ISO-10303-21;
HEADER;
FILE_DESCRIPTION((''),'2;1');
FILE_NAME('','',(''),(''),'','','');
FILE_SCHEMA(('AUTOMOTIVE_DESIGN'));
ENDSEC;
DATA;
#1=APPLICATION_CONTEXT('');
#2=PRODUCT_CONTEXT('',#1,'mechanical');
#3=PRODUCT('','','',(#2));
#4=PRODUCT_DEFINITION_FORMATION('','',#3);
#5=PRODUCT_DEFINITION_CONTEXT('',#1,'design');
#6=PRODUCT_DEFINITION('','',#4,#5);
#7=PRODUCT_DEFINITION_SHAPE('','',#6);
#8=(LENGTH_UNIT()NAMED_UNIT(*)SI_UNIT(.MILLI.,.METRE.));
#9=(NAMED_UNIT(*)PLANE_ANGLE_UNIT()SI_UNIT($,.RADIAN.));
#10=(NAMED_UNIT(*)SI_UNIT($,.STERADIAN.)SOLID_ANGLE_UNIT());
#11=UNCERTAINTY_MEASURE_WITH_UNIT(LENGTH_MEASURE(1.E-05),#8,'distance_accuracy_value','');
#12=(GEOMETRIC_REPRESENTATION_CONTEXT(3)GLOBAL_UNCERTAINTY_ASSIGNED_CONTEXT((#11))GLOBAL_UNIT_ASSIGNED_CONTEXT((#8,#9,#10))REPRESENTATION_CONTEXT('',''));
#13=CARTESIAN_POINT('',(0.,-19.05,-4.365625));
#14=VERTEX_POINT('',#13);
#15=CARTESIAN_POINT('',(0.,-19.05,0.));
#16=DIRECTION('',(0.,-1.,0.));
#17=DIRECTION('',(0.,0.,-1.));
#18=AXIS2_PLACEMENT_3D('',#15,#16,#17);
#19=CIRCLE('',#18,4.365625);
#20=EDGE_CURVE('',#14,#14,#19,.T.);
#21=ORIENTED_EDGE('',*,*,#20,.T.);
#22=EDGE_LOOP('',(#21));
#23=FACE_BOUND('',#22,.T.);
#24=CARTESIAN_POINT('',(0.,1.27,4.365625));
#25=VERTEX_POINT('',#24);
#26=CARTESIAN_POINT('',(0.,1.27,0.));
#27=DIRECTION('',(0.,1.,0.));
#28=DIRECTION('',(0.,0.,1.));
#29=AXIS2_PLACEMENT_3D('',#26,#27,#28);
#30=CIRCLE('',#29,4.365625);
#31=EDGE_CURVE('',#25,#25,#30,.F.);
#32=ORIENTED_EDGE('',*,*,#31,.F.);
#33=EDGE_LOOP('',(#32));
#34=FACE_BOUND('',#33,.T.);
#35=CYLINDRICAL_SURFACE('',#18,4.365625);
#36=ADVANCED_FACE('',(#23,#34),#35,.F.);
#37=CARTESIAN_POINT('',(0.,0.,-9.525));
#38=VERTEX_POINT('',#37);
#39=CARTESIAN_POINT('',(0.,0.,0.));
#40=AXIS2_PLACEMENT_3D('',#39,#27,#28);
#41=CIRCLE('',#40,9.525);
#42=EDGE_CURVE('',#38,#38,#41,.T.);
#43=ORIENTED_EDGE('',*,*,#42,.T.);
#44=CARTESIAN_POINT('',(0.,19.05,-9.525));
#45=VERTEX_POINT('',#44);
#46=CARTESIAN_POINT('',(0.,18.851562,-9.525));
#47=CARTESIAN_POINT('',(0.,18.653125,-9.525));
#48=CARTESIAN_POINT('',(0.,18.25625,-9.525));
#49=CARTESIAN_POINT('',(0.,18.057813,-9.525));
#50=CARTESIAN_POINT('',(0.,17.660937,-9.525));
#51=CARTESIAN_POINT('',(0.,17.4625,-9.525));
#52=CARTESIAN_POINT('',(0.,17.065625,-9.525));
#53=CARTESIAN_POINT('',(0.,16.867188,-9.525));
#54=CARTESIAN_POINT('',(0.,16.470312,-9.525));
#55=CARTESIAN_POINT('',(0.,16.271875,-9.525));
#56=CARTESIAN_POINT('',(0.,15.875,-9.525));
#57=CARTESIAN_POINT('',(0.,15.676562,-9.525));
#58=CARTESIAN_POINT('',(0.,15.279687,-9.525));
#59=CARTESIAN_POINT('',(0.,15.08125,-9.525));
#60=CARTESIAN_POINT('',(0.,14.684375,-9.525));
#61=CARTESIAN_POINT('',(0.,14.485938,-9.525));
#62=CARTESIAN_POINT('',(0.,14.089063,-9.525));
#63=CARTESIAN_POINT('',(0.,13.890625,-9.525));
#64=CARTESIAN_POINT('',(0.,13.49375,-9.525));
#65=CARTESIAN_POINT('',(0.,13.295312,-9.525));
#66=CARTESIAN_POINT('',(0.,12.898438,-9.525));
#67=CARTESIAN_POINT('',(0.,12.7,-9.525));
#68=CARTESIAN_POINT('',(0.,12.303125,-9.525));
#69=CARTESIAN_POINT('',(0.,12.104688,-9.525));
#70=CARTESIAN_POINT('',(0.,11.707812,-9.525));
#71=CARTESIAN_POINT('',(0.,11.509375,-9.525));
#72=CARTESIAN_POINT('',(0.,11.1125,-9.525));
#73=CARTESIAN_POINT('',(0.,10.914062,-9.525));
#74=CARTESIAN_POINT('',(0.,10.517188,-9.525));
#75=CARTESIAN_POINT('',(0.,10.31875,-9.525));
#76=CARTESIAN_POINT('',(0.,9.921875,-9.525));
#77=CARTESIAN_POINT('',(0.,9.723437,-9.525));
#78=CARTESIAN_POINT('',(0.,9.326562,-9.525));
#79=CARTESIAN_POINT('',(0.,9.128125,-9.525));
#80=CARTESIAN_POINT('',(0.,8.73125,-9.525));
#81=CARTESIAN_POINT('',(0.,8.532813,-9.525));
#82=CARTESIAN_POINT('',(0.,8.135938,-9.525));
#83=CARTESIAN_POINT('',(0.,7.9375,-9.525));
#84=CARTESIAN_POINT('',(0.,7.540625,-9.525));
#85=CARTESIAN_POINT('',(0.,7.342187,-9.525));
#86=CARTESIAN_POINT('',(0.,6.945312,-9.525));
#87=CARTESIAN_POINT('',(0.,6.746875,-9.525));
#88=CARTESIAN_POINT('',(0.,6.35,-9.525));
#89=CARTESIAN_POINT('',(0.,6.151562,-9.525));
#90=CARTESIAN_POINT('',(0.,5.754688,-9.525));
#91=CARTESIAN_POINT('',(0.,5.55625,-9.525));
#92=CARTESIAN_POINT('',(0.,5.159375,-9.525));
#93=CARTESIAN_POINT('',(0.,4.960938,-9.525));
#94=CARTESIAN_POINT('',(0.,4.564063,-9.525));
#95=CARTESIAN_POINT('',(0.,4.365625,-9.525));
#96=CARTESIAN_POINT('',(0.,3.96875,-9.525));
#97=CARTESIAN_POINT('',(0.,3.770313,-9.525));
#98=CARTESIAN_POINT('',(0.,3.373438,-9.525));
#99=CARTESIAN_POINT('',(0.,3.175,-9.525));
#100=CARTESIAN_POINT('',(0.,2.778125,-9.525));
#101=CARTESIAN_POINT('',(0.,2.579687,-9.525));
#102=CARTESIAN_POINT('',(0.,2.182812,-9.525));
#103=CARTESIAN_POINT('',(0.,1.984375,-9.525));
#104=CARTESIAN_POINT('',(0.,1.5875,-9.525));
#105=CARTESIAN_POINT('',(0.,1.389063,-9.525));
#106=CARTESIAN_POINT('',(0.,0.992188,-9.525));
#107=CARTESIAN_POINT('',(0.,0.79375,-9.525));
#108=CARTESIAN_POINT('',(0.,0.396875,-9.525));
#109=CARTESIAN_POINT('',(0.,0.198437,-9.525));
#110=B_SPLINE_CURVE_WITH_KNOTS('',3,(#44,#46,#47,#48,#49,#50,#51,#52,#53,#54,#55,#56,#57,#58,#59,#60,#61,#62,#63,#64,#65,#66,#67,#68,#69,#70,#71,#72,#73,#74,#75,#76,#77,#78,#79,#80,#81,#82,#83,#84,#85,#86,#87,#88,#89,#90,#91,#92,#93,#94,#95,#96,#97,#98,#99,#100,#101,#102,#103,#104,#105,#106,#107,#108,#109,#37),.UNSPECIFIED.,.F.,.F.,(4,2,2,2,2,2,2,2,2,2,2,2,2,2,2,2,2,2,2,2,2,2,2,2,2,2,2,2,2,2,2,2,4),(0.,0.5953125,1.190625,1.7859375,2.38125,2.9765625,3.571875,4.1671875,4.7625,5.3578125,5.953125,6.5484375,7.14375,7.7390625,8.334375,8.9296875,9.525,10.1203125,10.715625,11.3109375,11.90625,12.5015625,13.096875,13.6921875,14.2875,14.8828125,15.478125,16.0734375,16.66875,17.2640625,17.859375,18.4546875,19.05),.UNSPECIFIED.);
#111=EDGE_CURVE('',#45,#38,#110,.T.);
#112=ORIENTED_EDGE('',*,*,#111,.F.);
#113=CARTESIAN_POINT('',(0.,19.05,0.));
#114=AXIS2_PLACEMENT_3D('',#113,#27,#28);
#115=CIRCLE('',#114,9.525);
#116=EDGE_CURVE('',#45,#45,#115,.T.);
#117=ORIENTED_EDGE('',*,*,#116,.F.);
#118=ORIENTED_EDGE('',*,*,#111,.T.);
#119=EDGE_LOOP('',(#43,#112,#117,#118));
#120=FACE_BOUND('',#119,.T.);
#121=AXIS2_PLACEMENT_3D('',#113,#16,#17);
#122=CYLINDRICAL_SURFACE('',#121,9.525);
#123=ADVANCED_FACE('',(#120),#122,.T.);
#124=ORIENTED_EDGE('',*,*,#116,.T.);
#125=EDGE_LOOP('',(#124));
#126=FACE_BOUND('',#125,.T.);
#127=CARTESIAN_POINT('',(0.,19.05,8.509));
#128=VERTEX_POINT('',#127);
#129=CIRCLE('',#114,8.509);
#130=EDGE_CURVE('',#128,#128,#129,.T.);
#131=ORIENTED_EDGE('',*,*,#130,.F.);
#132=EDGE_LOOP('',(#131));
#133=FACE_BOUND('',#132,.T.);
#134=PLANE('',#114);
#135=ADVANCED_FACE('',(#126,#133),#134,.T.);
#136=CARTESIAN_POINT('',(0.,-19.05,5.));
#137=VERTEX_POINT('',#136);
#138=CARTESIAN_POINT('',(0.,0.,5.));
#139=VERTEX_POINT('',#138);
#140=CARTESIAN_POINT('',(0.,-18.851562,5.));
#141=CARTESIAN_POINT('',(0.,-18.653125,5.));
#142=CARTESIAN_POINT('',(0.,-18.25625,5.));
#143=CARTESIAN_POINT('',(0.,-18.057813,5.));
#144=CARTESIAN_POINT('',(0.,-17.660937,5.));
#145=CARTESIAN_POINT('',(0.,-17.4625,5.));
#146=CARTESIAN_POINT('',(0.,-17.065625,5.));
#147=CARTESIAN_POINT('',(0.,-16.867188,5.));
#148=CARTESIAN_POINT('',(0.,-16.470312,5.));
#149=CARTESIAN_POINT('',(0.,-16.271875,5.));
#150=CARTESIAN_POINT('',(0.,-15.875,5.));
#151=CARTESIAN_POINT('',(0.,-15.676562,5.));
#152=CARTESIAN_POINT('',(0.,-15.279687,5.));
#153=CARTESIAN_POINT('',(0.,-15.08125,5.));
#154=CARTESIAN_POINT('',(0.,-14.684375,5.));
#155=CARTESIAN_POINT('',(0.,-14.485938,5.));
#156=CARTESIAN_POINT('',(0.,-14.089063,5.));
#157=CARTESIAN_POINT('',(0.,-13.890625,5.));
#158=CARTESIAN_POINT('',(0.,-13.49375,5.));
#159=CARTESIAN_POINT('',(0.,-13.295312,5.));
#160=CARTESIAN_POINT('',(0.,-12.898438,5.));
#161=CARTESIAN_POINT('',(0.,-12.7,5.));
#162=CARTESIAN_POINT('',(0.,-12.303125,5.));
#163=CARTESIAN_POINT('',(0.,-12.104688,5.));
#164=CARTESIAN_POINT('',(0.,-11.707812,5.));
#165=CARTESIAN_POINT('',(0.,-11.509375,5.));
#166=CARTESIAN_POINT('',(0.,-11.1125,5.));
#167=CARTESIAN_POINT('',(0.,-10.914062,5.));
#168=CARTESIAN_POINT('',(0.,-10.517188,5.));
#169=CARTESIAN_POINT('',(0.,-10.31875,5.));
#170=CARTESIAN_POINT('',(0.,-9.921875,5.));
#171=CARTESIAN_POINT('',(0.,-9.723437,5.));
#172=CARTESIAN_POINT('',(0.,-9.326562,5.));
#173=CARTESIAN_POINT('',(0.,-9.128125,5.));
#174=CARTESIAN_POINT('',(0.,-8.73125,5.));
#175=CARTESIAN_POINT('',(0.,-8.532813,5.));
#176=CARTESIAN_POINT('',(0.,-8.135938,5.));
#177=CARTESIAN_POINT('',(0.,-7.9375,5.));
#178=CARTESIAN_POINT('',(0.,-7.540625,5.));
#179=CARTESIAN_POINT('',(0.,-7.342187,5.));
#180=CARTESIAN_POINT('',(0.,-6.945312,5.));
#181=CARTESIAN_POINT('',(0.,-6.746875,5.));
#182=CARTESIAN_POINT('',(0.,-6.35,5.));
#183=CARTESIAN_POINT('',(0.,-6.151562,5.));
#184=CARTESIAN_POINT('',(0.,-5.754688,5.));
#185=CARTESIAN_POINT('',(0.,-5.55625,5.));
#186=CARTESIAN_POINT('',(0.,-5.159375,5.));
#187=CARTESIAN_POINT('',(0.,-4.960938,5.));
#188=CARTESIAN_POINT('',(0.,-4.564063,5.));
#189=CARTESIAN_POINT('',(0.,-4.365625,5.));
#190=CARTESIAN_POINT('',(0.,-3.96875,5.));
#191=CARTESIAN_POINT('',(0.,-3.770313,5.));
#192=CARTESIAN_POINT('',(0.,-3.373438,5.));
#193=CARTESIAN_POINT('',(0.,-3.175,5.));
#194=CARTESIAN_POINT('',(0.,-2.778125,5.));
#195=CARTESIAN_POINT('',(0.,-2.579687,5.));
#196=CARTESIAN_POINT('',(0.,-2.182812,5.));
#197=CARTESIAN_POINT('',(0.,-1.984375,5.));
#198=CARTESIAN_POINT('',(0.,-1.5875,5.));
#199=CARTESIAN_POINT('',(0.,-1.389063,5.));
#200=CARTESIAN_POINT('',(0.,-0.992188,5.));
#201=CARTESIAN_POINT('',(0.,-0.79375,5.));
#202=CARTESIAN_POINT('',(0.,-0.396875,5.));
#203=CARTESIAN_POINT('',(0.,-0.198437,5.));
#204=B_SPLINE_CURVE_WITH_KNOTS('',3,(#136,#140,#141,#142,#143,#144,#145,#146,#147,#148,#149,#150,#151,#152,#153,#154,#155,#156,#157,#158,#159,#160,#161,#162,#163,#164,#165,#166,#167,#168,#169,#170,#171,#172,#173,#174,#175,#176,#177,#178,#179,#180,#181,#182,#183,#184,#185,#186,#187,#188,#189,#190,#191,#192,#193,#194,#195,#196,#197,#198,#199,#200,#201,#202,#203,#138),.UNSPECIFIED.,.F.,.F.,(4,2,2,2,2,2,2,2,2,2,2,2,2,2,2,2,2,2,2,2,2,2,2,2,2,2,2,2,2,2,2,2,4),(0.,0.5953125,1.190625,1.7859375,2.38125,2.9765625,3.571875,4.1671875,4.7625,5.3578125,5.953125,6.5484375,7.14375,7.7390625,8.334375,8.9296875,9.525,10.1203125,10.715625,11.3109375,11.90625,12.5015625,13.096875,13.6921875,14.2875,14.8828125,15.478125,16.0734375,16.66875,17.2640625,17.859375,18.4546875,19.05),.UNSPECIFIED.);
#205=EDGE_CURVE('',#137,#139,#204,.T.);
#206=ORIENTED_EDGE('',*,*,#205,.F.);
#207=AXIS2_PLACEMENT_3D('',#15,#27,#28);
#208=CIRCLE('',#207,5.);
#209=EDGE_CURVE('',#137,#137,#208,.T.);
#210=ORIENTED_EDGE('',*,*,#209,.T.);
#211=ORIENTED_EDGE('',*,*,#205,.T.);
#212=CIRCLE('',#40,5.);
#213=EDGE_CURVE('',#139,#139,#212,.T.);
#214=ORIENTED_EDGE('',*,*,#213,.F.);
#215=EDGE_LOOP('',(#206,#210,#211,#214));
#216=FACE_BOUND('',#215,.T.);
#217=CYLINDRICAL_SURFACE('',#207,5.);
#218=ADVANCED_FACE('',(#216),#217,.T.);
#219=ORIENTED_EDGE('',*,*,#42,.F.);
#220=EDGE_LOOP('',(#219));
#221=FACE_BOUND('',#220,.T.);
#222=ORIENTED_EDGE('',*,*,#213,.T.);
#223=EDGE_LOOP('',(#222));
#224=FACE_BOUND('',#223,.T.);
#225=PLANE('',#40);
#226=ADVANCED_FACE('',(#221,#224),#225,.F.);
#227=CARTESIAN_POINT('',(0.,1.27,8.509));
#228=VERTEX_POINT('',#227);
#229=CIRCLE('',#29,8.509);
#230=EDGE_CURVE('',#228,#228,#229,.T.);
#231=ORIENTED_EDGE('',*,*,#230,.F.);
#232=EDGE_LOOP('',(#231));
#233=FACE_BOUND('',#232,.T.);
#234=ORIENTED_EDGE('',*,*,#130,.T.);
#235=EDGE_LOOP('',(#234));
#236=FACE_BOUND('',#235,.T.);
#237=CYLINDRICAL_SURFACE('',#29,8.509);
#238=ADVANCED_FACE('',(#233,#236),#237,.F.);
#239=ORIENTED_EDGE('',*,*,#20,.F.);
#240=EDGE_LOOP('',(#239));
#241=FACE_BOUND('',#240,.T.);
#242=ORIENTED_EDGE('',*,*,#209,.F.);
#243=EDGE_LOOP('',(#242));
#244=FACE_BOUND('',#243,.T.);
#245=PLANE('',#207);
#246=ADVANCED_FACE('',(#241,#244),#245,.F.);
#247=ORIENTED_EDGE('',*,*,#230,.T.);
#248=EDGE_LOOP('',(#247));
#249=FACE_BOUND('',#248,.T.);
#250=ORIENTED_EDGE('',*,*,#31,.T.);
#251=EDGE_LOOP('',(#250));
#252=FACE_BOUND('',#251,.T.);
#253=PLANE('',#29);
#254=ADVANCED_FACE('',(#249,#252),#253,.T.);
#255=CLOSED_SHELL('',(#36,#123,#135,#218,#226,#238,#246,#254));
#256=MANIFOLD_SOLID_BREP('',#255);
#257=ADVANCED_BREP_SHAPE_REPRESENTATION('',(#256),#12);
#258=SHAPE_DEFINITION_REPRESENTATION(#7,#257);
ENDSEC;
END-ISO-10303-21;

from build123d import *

# Parameters (mm, degrees)
SKETCH2_R                        = 9.525
SKETCH2_R_2                      = 5
BOSS_EXTRUDE1_DEPTH              = 19.05
SKETCH2_3_R                      = 5
BOSS_EXTRUDE2_DEPTH              = 19.05
F_11_32_0_34375_DIAMETER_HOLE1_D = 8.73125
SKETCH13_R                       = 8.509
CUT_EXTRUDE1_DEPTH               = 17.78


with BuildPart() as part:
    # Sketch2 → Boss-Extrude1 (new body)
    # profile 1 of 2: a face of its own
    with BuildSketch(Plane(origin=(0, 0, 0), x_dir=(1, 0, 0), z_dir=(0, 1, 0))):
        with Locations(Location((0, 0, 0), (0, 0, 90))):
            Circle(SKETCH2_R)
        Circle(SKETCH2_R_2, mode=Mode.SUBTRACT)
    # profile 2 of 2: a face of its own
    with BuildSketch(Plane(origin=(0, 0, 0), x_dir=(1, 0, 0), z_dir=(0, 1, 0))):
        Circle(SKETCH2_R_2)
    extrude(amount=BOSS_EXTRUDE1_DEPTH)

    # Sketch2<3> → Boss-Extrude2 (add)
    with BuildSketch(Plane(origin=(0, 0, 0), x_dir=(1, 0, 0), z_dir=(0, 1, 0))):
        with Locations(Location((0, 0, 0), (0, 0, 270))):
            Circle(SKETCH2_3_R)
    extrude(amount=-BOSS_EXTRUDE2_DEPTH)

    # 11/32 (0.34375) Diameter Hole1 (through all)
    with Locations(Plane(origin=(0, -19.05, 0), x_dir=(-1, 0, 0), z_dir=(0, -1, 0))):
        with Locations((0, 0)):
            Hole(F_11_32_0_34375_DIAMETER_HOLE1_D / 2)

    # Sketch13 → Cut-Extrude1 (cut)
    with BuildSketch(Plane(origin=(0, 19.05, 0), x_dir=(1, 0, 0), z_dir=(0, 1, 0))):
        with Locations(Location((0, 0, 0), (0, 0, 270))):
            Circle(SKETCH13_R)
    extrude(amount=-CUT_EXTRUDE1_DEPTH, mode=Mode.SUBTRACT)


solid = part.part
